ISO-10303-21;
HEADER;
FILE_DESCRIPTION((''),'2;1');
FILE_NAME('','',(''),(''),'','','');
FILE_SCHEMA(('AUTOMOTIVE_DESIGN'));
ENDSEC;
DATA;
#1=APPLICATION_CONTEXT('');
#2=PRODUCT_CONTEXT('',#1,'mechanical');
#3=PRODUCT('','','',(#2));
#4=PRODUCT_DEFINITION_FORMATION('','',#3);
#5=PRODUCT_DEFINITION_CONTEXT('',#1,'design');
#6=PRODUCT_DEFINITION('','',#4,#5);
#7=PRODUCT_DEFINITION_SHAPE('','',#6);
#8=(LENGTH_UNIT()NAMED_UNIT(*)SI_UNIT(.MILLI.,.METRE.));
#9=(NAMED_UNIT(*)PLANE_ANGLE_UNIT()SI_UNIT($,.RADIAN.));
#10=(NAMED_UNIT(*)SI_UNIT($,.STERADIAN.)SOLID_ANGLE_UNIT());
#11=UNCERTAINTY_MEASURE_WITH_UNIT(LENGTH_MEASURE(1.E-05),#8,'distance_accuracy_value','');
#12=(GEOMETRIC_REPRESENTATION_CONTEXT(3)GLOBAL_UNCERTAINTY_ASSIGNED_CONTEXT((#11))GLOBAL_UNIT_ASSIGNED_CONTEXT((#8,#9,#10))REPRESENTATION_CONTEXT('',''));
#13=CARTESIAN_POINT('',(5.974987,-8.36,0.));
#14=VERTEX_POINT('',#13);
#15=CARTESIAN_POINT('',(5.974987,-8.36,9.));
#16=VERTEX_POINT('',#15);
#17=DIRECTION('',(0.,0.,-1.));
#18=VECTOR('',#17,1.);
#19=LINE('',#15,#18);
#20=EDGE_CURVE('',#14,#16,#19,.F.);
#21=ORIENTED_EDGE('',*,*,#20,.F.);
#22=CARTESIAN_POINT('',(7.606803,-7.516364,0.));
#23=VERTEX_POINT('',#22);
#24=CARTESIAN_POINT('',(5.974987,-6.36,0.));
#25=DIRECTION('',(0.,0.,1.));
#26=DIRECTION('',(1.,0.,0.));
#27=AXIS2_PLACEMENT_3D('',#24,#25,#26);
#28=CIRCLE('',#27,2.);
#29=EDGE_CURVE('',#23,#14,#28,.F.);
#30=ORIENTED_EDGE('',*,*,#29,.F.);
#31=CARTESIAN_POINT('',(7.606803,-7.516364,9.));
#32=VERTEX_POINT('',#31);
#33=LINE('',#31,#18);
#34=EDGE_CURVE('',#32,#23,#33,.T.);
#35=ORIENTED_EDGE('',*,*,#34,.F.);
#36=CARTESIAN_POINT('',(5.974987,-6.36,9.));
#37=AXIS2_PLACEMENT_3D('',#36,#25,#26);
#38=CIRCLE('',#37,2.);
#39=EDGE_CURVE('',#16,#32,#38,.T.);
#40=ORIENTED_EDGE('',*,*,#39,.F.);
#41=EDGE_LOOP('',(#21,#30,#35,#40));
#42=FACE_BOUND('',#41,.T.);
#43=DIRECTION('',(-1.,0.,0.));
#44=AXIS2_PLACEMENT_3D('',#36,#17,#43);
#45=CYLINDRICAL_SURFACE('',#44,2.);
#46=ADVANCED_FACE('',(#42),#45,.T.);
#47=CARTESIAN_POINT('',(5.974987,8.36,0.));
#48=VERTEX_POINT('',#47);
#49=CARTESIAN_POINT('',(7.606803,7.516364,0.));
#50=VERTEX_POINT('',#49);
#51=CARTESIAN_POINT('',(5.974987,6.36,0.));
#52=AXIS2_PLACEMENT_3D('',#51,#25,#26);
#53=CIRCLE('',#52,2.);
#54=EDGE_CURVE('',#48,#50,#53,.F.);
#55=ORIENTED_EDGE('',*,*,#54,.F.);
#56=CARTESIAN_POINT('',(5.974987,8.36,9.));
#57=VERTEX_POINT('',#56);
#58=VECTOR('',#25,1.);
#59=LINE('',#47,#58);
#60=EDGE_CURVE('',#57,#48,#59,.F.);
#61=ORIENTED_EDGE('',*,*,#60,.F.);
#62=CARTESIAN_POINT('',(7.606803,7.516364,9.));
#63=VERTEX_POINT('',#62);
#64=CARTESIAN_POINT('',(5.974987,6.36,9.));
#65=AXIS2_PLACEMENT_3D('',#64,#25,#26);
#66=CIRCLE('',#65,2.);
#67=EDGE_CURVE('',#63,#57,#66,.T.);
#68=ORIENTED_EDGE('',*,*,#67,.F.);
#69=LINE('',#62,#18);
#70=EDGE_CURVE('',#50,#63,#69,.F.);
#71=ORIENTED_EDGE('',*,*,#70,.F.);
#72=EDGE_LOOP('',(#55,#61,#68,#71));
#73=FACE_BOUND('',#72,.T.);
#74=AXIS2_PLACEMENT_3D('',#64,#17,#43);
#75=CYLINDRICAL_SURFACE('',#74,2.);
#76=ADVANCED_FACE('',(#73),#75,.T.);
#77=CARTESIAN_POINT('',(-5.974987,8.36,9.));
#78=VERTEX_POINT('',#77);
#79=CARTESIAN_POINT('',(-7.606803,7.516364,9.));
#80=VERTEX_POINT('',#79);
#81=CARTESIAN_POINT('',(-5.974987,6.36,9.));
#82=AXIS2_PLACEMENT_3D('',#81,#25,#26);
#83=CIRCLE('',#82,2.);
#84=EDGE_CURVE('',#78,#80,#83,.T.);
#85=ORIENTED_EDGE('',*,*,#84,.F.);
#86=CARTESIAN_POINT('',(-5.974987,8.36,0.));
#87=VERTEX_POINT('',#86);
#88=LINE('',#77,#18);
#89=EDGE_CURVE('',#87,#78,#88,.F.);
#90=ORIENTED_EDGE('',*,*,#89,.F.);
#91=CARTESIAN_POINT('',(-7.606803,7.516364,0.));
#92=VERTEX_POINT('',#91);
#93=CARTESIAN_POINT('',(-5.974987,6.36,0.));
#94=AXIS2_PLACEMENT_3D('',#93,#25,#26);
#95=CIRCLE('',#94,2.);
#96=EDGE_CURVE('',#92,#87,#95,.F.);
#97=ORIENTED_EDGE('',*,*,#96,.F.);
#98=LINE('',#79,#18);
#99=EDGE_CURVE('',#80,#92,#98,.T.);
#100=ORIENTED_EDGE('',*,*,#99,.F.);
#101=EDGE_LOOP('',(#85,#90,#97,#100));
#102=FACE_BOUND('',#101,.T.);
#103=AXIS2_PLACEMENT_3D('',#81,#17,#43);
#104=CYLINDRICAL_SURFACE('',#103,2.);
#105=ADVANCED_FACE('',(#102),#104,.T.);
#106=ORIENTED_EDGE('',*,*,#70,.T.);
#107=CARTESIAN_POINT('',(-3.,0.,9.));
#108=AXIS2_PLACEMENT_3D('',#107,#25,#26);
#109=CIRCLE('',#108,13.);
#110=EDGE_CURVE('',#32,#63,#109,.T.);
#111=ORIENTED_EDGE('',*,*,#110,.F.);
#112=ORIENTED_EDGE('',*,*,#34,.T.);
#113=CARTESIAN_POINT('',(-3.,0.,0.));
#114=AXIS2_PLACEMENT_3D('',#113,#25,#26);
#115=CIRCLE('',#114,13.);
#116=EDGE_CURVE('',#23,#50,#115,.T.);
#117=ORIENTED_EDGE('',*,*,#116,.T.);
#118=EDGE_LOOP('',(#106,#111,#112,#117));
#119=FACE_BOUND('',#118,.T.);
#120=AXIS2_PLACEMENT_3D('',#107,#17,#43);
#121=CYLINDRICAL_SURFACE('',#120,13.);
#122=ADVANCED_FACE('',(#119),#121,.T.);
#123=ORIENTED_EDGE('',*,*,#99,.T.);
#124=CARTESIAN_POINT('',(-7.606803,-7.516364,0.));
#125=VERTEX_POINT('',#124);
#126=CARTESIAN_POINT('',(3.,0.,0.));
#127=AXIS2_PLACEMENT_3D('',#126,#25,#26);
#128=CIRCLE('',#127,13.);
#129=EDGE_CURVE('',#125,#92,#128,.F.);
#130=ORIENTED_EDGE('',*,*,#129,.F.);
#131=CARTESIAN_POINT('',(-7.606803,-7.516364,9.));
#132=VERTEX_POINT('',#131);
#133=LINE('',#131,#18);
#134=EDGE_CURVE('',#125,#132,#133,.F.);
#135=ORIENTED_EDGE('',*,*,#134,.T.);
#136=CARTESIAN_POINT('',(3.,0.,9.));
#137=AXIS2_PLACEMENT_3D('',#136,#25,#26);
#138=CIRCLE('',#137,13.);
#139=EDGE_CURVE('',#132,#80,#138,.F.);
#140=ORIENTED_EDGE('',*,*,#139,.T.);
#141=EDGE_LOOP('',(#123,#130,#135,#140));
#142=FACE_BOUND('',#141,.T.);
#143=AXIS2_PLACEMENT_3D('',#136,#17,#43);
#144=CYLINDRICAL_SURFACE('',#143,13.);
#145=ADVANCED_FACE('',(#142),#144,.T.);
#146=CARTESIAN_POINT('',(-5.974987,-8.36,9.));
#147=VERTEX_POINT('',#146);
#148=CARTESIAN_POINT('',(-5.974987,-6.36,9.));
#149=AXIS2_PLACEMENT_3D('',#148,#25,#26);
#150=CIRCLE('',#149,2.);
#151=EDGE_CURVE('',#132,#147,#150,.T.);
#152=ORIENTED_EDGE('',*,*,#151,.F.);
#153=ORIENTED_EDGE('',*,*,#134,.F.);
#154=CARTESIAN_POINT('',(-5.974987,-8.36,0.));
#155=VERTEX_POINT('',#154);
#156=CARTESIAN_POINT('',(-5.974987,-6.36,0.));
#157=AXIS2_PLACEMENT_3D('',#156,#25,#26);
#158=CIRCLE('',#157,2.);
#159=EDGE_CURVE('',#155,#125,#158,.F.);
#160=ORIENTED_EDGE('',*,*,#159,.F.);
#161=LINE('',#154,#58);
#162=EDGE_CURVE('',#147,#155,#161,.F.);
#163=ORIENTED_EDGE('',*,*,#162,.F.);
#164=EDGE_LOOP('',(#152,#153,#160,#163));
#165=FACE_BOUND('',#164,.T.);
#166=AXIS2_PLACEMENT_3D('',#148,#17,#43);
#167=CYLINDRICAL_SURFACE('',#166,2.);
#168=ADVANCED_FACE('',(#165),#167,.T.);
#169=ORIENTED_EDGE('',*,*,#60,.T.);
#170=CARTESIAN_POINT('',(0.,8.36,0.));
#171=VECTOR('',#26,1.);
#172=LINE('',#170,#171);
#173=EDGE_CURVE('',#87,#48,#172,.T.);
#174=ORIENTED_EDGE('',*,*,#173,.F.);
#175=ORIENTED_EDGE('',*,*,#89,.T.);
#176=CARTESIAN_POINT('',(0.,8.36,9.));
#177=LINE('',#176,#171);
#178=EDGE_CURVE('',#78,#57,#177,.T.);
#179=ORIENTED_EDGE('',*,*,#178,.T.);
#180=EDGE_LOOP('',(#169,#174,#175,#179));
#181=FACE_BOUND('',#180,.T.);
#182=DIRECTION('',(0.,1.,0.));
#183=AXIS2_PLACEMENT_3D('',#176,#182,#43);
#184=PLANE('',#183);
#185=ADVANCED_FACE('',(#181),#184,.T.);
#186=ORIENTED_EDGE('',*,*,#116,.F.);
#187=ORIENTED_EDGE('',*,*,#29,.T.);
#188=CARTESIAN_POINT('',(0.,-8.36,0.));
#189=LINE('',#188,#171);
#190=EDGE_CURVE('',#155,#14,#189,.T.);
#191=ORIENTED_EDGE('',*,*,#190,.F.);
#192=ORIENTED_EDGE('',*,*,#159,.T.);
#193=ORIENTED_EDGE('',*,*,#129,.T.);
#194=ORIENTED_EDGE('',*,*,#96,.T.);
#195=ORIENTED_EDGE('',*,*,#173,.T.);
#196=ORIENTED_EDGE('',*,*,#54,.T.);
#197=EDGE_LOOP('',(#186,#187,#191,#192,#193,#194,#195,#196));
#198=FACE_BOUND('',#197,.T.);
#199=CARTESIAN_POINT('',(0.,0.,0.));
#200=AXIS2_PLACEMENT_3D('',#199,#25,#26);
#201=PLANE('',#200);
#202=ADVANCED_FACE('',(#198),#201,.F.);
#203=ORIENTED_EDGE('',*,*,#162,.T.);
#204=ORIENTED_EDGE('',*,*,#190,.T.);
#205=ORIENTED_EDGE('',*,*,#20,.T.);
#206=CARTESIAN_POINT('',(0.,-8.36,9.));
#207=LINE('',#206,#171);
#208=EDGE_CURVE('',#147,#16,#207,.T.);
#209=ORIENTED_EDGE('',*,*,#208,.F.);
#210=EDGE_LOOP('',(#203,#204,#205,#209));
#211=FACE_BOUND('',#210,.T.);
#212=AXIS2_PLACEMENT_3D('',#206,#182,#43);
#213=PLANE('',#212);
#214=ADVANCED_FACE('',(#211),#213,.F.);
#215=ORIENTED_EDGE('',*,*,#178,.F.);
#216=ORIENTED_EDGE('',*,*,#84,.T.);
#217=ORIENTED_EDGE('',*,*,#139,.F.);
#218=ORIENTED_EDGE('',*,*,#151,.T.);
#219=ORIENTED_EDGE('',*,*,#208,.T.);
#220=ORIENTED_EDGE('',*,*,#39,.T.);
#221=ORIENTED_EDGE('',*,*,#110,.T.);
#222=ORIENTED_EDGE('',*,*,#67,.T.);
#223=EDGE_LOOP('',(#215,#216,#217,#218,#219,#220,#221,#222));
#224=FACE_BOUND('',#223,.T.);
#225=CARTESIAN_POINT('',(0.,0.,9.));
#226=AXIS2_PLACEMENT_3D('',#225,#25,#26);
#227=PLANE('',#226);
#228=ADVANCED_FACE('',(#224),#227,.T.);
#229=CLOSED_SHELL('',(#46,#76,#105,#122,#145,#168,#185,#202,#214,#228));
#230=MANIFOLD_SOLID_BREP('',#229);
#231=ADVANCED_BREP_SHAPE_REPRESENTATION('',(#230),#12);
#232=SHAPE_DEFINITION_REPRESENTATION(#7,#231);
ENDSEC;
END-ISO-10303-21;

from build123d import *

# Parameters (mm, degrees)
BOSS_EXTRUDE1_DEPTH = 9
FILLET2_R           = 2
FILLET3_R           = 2


with BuildPart() as part:
    # Sketch1 → Boss-Extrude1 (new body)
    with BuildSketch(Plane.XY):
        with BuildLine():
            ThreePointArc((-6.955420634, 8.36), (-9.215164105, 4.44856897), (-10, 0))
            Line((-10, 0), (10, 0))
            ThreePointArc((10, 0), (9.215164105, 4.44856897), (6.955420634, 8.36))
            Line((6.955420634, 8.36), (-6.955420634, 8.36))
        make_face()
        with BuildLine():
            Line((10, 0), (-10, 0))
            ThreePointArc((-10, 0), (-9.215164105, -4.44856897), (-6.955420634, -8.36))
            Line((-6.955420634, -8.36), (6.955420634, -8.36))
            ThreePointArc((6.955420634, -8.36), (9.215164105, -4.44856897), (10, 0))
        make_face()
    extrude(amount=BOSS_EXTRUDE1_DEPTH)

    # Fillet2
    fillet2_edges = [part.edges().sort_by_distance(p)[0] for p in [
        (-6.955420634, 8.36, 4.5),
        (6.955420634, 8.36, 4.5),
    ]]
    fillet(fillet2_edges, radius=FILLET2_R)

    # Fillet3
    fillet3_edges = [part.edges().sort_by_distance(p)[0] for p in [
        (6.955420634, -8.36, 4.5),
        (-6.955420634, -8.36, 4.5),
    ]]
    fillet(fillet3_edges, radius=FILLET3_R)


solid = part.part
